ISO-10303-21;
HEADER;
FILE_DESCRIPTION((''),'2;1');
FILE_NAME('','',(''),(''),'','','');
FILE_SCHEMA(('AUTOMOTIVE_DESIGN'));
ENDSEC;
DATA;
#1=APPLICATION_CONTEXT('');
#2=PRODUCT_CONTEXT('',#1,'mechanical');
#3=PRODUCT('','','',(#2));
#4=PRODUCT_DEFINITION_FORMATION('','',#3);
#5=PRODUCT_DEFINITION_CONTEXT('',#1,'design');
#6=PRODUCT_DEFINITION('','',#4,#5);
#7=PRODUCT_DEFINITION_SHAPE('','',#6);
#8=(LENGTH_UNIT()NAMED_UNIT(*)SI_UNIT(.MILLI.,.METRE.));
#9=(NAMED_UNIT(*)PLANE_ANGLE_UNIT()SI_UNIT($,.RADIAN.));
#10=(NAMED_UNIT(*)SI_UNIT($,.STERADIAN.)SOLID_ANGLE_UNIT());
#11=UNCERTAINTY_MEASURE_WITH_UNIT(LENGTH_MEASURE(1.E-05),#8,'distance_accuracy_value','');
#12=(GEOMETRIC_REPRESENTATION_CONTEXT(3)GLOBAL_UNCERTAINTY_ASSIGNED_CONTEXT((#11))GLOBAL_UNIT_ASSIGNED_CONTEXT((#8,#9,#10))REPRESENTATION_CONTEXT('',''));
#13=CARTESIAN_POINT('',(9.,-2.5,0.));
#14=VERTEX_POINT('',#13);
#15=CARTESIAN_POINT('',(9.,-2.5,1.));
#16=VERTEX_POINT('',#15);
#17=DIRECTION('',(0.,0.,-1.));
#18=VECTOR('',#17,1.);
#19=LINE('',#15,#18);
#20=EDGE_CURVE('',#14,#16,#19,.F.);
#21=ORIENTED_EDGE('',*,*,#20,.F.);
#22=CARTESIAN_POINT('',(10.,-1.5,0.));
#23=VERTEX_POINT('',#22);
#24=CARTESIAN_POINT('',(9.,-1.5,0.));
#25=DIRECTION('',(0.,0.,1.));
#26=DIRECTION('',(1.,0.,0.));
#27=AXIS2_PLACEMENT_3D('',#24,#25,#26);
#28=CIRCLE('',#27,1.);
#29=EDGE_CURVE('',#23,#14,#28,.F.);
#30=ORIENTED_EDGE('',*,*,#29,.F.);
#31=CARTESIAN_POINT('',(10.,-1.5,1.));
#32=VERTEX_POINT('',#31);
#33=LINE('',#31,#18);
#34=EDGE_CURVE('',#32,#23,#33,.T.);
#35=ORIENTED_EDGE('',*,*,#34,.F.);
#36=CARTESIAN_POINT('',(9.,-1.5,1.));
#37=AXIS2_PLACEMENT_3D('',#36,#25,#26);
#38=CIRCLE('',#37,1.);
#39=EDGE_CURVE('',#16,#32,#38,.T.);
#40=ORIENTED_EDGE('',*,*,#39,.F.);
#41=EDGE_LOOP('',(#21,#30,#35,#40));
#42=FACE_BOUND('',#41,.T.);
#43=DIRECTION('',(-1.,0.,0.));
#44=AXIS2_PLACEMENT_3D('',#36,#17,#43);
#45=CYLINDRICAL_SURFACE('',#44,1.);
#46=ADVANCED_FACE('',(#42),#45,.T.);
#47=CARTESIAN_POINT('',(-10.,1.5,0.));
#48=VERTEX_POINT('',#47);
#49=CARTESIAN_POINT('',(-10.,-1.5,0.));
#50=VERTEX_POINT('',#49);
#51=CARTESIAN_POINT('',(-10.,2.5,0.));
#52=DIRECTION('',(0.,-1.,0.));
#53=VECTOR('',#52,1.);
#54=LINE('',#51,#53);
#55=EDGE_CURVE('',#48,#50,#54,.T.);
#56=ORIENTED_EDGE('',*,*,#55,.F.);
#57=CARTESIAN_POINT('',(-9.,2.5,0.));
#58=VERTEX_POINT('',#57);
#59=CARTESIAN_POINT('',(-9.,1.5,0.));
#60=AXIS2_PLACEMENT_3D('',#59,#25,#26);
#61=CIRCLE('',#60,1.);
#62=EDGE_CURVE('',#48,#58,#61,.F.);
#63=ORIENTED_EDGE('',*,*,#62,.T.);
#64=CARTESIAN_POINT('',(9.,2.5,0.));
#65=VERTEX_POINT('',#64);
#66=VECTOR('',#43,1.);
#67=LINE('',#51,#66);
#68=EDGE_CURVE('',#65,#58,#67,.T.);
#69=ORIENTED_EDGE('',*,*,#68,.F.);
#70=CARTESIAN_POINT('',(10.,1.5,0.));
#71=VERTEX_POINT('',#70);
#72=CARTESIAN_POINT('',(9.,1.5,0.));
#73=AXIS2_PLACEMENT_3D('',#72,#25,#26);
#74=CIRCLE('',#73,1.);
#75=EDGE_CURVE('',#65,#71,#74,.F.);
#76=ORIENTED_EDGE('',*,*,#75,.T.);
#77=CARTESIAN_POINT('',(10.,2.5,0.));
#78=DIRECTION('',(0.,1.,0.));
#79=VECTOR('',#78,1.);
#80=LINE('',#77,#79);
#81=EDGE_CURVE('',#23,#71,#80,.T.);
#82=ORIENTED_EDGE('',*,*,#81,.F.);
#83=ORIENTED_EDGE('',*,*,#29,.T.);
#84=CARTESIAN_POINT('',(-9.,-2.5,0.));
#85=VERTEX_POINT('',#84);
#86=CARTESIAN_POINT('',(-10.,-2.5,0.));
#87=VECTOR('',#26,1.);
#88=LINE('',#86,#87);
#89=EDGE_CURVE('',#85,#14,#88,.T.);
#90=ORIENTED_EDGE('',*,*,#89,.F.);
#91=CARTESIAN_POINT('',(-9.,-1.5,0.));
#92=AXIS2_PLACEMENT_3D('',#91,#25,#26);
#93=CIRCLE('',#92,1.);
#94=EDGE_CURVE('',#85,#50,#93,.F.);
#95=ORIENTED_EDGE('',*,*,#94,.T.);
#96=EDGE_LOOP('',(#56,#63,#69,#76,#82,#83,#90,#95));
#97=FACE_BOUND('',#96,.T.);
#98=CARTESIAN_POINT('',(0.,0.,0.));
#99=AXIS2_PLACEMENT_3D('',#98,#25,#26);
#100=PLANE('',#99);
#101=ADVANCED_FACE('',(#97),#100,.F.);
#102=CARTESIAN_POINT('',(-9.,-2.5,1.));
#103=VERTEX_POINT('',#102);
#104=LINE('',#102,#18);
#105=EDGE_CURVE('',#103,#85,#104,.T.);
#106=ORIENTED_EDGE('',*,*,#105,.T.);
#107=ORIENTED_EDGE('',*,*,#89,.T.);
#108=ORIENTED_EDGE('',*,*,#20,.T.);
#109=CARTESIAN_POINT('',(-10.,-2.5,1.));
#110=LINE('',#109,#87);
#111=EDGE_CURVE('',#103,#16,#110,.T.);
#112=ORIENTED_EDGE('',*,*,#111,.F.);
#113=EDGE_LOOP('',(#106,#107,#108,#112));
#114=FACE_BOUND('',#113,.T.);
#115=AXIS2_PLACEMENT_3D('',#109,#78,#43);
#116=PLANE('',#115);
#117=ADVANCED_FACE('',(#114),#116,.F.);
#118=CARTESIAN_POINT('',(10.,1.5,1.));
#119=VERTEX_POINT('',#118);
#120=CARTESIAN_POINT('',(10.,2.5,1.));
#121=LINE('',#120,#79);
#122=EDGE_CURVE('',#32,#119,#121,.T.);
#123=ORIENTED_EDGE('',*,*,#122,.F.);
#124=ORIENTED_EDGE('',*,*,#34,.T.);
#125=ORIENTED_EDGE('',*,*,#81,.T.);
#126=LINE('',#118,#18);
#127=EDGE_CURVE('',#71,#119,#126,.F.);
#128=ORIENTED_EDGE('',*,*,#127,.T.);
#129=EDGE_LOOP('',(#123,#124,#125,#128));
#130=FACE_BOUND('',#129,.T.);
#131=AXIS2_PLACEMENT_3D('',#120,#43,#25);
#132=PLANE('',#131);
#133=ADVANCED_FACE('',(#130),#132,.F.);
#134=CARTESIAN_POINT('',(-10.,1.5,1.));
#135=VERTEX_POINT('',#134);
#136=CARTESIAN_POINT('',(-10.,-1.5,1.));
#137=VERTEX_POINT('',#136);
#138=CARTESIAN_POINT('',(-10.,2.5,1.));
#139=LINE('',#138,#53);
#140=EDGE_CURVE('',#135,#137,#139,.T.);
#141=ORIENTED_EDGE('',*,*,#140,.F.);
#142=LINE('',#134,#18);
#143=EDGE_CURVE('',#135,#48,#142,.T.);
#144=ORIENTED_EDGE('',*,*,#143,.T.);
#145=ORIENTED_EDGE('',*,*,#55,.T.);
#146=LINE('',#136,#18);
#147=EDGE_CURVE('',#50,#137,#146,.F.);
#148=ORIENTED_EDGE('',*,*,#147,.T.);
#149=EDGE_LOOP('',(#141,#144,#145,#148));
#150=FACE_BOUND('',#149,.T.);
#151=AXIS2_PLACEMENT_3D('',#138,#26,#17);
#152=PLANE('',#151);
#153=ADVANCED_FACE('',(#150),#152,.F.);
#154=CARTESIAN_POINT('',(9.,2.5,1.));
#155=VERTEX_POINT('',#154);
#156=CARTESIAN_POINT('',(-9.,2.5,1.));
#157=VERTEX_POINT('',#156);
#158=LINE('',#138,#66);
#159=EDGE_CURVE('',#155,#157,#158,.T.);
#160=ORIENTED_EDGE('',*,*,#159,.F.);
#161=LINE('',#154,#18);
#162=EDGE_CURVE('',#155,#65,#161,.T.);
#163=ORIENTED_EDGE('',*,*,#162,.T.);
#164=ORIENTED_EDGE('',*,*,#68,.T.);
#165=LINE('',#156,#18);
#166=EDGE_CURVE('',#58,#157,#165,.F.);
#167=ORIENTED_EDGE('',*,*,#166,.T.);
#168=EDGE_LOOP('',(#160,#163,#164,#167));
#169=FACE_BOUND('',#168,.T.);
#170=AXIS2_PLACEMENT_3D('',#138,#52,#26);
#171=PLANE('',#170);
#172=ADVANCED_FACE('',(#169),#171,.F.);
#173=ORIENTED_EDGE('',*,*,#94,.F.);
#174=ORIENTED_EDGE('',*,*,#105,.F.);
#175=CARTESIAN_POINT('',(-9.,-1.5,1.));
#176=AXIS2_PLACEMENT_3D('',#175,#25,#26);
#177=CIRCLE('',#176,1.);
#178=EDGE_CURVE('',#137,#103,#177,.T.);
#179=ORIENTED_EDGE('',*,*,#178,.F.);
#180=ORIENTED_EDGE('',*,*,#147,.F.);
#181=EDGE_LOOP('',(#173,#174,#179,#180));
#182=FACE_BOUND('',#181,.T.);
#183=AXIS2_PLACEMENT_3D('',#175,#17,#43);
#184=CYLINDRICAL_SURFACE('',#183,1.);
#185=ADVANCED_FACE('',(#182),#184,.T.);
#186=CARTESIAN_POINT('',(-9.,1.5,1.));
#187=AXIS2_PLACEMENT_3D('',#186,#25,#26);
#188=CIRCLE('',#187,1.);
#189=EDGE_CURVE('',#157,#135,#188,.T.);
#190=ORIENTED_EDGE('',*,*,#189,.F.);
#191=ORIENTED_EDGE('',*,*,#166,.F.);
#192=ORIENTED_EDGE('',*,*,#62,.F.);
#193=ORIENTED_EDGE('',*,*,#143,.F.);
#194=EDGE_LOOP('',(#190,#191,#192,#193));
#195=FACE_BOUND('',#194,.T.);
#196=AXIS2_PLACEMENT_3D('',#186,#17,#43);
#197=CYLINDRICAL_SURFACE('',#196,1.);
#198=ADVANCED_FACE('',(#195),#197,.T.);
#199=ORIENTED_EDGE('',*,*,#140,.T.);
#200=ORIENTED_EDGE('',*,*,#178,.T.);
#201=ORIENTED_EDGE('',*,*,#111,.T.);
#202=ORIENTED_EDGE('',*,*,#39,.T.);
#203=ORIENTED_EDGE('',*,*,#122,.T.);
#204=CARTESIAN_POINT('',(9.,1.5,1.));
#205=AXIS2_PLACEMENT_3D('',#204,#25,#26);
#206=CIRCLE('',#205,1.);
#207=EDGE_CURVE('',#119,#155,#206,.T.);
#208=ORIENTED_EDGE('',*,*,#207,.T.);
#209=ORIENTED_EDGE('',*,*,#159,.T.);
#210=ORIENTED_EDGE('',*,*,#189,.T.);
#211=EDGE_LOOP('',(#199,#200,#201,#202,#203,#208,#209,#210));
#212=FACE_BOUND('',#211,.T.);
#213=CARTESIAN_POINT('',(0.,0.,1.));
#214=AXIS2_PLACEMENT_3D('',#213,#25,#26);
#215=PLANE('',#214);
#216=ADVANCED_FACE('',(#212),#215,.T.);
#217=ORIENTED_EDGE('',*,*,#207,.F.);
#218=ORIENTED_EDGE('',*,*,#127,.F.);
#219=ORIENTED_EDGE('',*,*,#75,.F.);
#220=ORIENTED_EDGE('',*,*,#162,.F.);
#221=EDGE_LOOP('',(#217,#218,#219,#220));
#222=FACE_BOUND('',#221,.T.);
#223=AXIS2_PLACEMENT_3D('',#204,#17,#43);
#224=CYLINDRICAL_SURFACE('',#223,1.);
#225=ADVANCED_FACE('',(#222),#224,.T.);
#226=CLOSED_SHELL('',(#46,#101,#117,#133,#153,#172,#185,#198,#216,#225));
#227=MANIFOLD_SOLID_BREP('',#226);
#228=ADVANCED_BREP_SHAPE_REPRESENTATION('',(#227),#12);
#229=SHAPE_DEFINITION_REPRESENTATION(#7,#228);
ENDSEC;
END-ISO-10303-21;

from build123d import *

# Parameters (mm, degrees)
SKETCH1_W           = 20
SKETCH1_H           = 5
BOSS_EXTRUDE1_DEPTH = 1
FILLET1_R           = 1


with BuildPart() as part:
    # Sketch1 → Boss-Extrude1 (new body)
    with BuildSketch(Plane.XY):
        Rectangle(SKETCH1_W, SKETCH1_H)
    extrude(amount=BOSS_EXTRUDE1_DEPTH)

    # Fillet1
    fillet1_edges = [part.edges().sort_by_distance(p)[0] for p in [
        (-10, 2.5, 0.5),
        (10, 2.5, 0.5),
        (10, -2.5, 0.5),
        (-10, -2.5, 0.5),
    ]]
    fillet(fillet1_edges, radius=FILLET1_R)


solid = part.part
